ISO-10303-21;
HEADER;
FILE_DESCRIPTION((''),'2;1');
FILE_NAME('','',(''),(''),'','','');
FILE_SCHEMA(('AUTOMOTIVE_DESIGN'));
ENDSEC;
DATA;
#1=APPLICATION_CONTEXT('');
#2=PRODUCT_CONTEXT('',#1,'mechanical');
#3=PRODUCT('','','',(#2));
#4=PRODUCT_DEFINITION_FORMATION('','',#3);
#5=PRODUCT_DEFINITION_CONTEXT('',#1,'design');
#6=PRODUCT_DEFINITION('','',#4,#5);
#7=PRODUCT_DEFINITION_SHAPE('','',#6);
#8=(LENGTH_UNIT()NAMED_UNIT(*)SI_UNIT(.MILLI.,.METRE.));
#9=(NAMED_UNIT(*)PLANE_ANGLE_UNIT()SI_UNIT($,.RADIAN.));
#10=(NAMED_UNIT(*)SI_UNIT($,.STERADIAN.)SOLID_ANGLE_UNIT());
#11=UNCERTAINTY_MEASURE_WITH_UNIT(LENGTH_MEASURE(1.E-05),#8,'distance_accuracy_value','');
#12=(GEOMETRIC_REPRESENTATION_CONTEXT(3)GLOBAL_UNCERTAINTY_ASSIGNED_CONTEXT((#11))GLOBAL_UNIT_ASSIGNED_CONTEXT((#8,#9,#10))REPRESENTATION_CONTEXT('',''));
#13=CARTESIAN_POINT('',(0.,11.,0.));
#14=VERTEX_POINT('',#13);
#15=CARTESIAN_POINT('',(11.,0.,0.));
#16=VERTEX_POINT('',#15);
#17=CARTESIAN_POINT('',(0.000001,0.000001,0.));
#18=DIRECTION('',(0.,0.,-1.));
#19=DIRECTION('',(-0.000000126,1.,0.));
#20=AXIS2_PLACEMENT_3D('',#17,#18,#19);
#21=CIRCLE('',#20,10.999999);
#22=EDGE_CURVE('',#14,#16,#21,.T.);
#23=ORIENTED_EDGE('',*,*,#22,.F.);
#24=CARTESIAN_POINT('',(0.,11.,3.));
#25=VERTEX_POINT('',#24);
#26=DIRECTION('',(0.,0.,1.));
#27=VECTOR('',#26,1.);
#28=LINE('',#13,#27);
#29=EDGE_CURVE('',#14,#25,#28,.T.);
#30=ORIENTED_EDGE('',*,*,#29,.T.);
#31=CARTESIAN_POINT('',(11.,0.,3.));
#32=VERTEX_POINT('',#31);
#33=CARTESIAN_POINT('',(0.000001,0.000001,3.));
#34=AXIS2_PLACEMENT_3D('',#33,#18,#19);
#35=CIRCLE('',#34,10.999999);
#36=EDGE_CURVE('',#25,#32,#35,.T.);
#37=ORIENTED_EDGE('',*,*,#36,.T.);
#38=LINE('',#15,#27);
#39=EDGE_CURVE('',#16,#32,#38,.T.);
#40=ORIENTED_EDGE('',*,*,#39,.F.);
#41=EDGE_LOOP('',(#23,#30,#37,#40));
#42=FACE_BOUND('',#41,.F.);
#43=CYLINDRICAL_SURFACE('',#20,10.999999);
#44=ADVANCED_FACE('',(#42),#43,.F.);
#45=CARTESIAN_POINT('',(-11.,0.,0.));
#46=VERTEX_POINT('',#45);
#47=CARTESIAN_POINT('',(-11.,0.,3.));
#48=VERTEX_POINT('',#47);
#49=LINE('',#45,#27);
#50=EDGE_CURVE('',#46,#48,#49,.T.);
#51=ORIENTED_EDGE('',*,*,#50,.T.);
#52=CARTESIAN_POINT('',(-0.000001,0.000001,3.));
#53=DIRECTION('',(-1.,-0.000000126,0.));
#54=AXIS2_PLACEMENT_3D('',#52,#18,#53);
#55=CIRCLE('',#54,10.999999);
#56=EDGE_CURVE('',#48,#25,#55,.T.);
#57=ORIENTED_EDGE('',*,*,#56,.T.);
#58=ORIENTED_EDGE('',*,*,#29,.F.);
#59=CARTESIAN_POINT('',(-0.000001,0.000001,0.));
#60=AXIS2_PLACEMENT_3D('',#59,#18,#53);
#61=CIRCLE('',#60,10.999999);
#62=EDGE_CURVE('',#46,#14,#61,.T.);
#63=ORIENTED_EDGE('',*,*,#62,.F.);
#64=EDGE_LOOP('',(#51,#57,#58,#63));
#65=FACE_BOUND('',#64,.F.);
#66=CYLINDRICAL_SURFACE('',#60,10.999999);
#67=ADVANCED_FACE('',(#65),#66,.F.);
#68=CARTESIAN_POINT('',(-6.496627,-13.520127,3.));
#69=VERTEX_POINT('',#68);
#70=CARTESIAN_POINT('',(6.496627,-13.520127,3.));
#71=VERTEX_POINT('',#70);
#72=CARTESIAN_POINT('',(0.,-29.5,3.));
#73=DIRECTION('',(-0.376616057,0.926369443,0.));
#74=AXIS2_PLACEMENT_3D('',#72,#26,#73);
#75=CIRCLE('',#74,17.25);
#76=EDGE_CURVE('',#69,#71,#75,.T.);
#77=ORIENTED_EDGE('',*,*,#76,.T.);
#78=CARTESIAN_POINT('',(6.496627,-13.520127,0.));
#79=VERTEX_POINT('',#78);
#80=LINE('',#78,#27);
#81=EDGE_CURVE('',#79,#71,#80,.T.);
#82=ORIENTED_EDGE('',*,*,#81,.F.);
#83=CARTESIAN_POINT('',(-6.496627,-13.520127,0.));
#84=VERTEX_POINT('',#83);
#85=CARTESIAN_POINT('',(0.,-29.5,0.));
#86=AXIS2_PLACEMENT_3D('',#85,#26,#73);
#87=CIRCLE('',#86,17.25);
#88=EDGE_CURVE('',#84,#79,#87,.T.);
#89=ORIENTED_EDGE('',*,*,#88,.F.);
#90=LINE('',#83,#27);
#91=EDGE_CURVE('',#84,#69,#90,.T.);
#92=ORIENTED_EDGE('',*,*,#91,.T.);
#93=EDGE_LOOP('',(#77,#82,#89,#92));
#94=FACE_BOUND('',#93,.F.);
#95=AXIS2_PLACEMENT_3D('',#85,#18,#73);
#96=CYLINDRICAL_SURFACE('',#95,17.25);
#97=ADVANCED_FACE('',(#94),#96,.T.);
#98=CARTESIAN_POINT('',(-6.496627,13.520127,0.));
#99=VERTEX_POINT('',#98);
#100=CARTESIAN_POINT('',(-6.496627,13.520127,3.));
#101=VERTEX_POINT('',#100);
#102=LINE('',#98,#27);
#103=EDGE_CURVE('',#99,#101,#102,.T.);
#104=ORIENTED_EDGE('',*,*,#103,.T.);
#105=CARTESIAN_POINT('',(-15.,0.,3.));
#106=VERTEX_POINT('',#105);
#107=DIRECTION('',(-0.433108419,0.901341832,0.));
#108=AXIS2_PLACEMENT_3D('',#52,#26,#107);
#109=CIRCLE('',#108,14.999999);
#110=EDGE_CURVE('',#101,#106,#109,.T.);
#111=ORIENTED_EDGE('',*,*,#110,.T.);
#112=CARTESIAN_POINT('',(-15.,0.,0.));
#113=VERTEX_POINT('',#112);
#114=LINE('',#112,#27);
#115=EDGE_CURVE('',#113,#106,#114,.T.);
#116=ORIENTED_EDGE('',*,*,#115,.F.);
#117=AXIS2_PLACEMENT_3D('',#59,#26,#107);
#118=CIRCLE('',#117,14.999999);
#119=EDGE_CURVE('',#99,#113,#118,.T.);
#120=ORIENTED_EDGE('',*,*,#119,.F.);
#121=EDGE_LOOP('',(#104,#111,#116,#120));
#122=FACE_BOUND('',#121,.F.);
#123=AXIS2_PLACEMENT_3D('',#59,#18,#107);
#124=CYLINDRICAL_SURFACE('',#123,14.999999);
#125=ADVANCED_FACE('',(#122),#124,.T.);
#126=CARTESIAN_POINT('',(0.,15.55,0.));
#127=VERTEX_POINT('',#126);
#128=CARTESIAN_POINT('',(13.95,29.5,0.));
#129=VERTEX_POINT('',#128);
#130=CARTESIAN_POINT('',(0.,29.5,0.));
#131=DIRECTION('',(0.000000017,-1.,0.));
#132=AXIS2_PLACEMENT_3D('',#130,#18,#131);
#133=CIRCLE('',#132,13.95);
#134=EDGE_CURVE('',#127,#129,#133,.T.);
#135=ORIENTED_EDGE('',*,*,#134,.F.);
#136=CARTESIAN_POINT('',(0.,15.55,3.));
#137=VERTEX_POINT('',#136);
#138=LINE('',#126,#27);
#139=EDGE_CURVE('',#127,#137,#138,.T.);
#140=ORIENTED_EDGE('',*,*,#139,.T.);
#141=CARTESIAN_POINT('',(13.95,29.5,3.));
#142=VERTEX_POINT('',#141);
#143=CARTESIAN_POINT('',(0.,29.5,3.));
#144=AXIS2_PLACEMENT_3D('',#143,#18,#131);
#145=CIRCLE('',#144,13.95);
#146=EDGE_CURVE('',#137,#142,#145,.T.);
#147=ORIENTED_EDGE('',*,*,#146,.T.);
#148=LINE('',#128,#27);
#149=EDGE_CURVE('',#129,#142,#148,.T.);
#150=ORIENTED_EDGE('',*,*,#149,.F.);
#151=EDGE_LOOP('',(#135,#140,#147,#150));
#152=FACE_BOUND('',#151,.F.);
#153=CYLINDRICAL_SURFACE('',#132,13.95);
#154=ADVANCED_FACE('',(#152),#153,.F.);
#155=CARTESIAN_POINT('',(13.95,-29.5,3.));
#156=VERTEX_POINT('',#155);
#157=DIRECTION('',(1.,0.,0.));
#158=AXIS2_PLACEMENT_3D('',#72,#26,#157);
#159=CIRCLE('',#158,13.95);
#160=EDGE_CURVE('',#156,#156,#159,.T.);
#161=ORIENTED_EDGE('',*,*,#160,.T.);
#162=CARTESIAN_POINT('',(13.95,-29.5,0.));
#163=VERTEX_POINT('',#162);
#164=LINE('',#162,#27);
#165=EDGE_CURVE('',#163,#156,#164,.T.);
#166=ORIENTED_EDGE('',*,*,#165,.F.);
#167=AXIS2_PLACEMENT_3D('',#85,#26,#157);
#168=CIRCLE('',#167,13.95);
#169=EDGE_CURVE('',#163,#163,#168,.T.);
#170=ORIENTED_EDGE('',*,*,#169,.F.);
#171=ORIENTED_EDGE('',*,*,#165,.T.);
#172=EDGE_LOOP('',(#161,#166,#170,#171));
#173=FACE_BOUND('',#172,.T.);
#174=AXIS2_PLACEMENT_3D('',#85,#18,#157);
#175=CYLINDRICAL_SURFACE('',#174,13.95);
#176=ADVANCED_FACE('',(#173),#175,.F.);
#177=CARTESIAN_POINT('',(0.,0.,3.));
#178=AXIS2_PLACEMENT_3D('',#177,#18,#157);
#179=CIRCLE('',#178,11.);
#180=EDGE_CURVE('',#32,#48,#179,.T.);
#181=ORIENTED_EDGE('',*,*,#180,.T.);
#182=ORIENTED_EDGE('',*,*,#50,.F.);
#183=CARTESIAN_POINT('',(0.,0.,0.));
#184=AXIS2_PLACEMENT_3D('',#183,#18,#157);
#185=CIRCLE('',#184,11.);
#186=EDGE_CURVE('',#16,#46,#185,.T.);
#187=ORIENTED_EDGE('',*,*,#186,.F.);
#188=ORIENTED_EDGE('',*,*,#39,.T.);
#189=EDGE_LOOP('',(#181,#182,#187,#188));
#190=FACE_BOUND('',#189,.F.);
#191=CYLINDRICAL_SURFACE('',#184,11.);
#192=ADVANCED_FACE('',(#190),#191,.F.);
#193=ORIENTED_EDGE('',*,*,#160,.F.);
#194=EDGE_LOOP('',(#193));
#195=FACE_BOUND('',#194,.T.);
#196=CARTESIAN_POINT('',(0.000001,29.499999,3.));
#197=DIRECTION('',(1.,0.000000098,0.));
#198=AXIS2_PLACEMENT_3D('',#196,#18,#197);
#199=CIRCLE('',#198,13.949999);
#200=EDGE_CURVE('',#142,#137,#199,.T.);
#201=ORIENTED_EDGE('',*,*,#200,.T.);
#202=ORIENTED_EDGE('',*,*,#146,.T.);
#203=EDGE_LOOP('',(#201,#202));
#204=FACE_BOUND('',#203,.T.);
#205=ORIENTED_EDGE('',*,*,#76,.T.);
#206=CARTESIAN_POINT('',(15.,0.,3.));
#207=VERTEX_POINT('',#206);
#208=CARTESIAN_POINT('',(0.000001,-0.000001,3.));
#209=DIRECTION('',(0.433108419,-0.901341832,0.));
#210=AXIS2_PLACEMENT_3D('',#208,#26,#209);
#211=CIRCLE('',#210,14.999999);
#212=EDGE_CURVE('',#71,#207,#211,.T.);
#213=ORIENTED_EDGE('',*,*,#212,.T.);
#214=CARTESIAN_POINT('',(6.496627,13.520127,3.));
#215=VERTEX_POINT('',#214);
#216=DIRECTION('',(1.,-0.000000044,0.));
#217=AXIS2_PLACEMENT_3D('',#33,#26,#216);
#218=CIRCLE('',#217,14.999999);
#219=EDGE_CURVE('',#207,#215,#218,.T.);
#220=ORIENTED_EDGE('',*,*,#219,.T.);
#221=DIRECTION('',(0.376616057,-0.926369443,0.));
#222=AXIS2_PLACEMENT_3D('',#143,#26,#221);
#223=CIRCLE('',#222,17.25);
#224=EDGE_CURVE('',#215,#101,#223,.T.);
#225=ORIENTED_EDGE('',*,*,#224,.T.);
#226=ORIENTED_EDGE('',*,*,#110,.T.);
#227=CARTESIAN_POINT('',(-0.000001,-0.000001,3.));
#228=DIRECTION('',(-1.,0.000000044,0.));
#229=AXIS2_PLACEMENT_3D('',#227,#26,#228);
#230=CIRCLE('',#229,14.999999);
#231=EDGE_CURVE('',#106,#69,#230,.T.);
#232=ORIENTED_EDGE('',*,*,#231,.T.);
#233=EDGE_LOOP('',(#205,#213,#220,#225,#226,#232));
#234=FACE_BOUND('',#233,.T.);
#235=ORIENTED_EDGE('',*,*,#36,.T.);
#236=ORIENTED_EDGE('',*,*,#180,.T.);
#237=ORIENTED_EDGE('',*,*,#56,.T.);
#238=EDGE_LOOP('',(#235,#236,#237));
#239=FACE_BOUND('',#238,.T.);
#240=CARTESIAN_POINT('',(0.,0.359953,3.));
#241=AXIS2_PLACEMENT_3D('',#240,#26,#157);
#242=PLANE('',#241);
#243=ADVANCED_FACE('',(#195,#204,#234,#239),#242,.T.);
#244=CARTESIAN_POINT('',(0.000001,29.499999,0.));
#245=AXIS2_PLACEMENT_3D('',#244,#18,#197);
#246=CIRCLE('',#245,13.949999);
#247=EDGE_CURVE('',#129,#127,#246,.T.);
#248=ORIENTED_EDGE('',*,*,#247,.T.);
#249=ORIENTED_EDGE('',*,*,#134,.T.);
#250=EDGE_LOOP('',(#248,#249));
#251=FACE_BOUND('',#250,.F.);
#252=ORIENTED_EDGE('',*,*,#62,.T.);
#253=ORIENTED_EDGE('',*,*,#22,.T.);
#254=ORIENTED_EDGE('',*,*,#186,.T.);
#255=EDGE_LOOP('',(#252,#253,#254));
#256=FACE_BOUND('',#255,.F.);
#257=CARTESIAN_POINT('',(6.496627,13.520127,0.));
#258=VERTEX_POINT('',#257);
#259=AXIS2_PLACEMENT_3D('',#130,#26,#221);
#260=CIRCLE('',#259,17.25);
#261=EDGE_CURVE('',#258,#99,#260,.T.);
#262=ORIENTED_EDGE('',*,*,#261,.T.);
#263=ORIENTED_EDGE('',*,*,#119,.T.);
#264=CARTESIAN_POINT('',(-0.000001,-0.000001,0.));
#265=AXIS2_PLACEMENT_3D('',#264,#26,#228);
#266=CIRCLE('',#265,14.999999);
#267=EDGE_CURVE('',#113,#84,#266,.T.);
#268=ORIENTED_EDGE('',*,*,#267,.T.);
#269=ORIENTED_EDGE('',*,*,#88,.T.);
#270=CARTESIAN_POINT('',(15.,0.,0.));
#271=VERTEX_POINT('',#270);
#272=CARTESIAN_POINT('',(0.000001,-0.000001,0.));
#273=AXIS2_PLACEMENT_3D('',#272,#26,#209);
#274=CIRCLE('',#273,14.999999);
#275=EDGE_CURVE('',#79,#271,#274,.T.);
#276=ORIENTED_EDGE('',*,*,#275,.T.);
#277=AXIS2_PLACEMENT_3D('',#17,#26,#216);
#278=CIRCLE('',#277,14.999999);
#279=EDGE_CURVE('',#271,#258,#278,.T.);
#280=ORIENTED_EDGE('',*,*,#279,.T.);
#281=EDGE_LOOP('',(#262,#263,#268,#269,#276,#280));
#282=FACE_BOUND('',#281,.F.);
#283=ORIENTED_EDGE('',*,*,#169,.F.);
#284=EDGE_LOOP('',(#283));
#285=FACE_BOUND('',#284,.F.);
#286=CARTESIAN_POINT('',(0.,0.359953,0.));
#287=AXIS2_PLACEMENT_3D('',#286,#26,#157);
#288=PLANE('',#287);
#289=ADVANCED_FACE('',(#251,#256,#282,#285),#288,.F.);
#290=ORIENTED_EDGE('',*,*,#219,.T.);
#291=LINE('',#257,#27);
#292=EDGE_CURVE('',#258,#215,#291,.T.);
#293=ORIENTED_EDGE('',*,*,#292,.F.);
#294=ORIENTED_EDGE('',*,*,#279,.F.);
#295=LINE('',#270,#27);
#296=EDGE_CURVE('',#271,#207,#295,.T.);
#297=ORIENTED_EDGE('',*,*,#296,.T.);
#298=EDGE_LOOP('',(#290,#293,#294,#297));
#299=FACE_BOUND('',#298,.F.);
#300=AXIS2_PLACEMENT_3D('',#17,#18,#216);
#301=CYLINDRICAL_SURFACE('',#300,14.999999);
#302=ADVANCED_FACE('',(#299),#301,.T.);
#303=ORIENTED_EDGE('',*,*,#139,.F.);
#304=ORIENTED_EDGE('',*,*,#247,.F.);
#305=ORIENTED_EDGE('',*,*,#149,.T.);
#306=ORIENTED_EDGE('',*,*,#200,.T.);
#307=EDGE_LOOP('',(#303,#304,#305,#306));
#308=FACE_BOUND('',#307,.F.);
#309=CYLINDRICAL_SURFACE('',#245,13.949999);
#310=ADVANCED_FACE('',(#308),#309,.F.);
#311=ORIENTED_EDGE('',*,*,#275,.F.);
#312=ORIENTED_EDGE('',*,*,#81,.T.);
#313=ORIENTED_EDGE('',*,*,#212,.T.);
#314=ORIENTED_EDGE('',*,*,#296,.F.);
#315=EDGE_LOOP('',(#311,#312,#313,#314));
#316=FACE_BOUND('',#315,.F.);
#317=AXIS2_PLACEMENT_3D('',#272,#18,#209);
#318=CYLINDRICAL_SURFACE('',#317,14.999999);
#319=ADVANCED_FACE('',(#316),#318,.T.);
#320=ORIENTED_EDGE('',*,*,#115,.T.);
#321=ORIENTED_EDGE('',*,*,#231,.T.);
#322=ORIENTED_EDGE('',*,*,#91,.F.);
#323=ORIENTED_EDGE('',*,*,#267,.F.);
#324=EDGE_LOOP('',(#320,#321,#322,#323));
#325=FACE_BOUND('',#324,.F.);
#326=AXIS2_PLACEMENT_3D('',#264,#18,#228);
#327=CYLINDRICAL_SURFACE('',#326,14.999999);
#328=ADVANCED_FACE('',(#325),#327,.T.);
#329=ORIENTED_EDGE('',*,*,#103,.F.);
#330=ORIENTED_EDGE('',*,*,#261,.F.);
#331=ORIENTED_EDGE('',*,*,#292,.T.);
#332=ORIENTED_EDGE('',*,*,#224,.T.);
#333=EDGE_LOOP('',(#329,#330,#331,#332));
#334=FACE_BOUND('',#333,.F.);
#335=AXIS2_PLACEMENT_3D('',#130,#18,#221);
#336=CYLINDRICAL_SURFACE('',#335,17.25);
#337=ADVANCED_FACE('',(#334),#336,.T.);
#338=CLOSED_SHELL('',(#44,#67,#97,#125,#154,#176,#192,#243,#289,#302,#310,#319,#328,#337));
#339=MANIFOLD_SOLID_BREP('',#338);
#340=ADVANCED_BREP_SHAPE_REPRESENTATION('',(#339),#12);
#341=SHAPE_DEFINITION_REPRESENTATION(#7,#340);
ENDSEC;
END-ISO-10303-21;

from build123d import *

# Parameters (mm, degrees)
F0_R     = 13.95
F1_DEPTH = 3


with BuildPart() as f1:
    # F0 (on Top) → F1 (new body)
    with BuildSketch(Plane.XY):
        with BuildLine():
            ThreePointArc((-11, 0), (0, -11), (11, 0))
            ThreePointArc((11, 0), (7.778175, 7.778175), (0, 11))
            ThreePointArc((0, 11), (-7.778175, 7.778175), (-11, 0))
        make_face()
        with BuildLine():
            ThreePointArc((13.95, 29.5), (-9.86414, 39.36414), (0, 15.55))
            ThreePointArc((0, 15.55), (9.86414, 19.63586), (13.95, 29.5))
        make_face()
        with BuildLine():
            ThreePointArc((6.496627, 13.520127), (0, 46.75), (-6.496627, 13.520127))
            ThreePointArc((-6.496627, 13.520127), (-12.697429, 7.985944), (-15, 0))
            ThreePointArc((-15, 0), (-12.697429, -7.985944), (-6.496627, -13.520127))
            ThreePointArc((-6.496627, -13.520127), (0, -46.75), (6.496627, -13.520127))
            ThreePointArc((6.496627, -13.520127), (12.697429, -7.985944), (15, 0))
            ThreePointArc((15, 0), (12.697429, 7.985944), (6.496627, 13.520127))
        make_face()
        with Locations((0, -29.5)):
            Circle(F0_R, mode=Mode.SUBTRACT)
        with BuildLine():
            ThreePointArc((0, 11), (7.778175, 7.778175), (11, 0))
            ThreePointArc((11, 0), (0, -11), (-11, 0))
            ThreePointArc((-11, 0), (-7.778175, 7.778175), (0, 11))
        make_face(mode=Mode.SUBTRACT)
        with BuildLine():
            ThreePointArc((13.95, 29.5), (9.86414, 19.63586), (0, 15.55))
            ThreePointArc((0, 15.55), (-9.86414, 39.36414), (13.95, 29.5))
        make_face(mode=Mode.SUBTRACT)
    extrude(amount=F1_DEPTH)


solid = f1.part
